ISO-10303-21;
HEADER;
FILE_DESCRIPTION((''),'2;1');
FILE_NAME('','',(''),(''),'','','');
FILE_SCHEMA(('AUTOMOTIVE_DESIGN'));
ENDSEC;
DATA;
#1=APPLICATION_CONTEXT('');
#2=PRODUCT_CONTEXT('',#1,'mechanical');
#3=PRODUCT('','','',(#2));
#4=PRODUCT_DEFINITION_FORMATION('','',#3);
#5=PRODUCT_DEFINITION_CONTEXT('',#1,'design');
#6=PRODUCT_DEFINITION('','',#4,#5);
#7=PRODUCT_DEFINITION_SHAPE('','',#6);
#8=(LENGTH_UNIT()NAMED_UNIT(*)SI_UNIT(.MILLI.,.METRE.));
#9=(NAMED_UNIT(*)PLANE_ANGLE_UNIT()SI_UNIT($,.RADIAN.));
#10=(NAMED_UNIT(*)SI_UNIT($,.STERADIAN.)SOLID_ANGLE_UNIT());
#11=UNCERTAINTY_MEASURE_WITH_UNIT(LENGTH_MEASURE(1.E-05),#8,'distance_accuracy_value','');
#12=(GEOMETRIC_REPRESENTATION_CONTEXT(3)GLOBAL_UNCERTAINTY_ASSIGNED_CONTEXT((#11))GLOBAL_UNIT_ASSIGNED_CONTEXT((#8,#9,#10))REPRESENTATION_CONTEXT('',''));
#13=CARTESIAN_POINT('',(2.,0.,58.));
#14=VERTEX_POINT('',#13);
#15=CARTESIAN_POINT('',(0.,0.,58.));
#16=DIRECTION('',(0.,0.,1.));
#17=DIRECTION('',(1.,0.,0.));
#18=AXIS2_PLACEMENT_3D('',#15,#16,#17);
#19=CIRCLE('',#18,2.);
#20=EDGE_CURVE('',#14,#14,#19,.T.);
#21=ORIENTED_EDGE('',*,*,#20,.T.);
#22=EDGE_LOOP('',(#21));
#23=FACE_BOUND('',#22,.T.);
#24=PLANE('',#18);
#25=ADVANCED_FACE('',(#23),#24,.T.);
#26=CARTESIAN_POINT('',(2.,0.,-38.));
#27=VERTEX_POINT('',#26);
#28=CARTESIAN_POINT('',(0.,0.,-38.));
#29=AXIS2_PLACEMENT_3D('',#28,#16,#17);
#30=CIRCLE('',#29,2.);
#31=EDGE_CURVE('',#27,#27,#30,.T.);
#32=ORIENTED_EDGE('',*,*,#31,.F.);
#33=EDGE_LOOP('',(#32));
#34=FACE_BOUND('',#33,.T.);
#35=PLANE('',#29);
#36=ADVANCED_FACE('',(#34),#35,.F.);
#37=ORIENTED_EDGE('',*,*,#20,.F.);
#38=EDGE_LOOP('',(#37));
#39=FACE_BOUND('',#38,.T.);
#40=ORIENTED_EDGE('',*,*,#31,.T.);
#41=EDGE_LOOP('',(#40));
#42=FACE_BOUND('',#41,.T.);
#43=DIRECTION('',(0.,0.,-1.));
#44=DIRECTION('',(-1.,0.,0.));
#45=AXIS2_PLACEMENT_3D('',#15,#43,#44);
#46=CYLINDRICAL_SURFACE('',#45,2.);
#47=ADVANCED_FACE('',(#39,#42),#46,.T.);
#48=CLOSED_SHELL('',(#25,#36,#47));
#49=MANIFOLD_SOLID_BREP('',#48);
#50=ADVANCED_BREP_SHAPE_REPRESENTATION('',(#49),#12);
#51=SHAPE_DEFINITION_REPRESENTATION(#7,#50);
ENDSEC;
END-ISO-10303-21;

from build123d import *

# Parameters (mm, degrees)
TIE_STUD_START = -38
SKETCH_1_R     = 2
TIE_STUD_DEPTH = 96


with BuildPart() as part:
    # Эскиз1 → Tie_stud (new body)
    with BuildSketch(Plane.XY.offset(TIE_STUD_START)):
        Circle(SKETCH_1_R)
    extrude(amount=TIE_STUD_DEPTH)


solid = part.part
